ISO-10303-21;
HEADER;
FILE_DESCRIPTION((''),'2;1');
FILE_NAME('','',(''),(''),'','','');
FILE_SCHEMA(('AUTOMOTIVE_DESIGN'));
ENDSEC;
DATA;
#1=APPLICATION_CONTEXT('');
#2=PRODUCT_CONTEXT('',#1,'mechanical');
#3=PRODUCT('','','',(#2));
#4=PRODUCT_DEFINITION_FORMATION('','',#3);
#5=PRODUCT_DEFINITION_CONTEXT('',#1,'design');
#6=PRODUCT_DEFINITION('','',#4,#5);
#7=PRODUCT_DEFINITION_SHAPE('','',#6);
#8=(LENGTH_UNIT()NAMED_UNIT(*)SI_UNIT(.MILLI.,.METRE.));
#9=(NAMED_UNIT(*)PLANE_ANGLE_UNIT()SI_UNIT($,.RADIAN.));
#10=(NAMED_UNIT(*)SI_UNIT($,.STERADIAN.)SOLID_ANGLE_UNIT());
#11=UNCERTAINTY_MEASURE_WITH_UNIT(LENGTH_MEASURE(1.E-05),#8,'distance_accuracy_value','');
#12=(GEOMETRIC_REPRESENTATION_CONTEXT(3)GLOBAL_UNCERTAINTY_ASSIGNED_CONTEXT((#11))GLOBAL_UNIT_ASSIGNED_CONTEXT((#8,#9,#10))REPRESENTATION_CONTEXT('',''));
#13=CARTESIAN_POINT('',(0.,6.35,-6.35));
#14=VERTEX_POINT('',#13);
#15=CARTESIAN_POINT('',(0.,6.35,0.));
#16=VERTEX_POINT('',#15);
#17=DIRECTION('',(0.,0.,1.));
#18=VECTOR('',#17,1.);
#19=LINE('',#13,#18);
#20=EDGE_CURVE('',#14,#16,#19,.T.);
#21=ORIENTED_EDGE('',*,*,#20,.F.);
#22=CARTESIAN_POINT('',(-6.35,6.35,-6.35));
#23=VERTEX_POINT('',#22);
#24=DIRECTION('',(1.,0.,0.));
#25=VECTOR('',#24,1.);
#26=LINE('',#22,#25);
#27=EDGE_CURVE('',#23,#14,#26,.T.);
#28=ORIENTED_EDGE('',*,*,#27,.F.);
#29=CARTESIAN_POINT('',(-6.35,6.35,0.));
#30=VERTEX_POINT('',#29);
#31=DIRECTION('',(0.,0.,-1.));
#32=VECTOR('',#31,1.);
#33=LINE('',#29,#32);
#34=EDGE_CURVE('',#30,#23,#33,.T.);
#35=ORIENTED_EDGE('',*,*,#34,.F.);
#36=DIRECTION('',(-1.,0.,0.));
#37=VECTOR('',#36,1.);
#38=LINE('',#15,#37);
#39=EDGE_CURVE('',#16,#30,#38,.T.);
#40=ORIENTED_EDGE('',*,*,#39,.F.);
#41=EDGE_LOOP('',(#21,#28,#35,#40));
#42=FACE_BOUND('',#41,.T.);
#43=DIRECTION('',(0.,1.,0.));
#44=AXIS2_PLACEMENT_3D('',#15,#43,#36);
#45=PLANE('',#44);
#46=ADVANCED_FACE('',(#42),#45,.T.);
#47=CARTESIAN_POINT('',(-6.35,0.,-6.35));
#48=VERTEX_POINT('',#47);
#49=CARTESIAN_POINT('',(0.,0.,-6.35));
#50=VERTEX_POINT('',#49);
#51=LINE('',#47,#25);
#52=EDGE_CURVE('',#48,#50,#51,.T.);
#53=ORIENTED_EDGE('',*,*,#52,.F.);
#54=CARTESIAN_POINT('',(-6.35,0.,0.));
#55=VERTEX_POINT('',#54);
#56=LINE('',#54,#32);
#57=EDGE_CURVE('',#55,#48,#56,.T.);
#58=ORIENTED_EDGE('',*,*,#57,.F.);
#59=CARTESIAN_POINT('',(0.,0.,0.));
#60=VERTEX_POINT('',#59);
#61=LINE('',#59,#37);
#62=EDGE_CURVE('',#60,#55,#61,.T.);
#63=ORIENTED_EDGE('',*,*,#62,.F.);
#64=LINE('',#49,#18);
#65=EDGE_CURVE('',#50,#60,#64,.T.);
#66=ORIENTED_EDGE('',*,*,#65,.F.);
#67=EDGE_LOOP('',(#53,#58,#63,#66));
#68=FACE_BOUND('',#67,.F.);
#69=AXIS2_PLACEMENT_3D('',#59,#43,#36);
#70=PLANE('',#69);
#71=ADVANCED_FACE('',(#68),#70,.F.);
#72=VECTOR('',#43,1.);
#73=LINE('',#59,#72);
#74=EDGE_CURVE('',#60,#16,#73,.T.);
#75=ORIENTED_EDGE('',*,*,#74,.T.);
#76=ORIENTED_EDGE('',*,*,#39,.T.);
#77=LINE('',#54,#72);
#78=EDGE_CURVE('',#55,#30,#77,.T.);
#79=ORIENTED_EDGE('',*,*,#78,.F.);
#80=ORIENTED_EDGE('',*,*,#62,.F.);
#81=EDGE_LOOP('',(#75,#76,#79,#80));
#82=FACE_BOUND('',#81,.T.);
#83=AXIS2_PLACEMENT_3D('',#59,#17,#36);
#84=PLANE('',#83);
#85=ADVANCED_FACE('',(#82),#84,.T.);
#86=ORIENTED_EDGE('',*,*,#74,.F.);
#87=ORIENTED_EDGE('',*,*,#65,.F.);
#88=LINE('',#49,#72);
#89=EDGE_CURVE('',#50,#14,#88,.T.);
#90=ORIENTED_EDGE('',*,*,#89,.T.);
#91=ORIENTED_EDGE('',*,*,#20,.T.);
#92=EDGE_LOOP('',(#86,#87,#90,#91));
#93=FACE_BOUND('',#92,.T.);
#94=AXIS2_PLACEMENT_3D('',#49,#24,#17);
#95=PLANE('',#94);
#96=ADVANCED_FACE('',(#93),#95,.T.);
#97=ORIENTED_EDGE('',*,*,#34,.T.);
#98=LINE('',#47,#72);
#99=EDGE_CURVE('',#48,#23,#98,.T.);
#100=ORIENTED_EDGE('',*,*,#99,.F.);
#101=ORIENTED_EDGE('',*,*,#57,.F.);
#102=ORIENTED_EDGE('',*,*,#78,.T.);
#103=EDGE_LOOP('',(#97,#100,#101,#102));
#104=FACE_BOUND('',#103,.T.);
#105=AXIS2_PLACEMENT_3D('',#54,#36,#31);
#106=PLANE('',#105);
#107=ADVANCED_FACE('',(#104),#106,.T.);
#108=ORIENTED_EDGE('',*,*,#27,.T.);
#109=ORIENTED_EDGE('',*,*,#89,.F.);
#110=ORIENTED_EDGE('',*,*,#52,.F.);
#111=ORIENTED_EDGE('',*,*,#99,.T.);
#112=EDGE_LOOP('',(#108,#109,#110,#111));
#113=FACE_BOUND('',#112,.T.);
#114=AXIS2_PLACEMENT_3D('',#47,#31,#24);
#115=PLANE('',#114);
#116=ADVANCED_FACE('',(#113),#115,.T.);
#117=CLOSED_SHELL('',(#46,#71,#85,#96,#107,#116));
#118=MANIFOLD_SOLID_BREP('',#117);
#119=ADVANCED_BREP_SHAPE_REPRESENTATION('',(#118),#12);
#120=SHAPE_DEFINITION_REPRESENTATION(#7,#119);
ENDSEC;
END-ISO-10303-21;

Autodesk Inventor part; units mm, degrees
ref_plane "YZ Plane" through (0, 0, 0) normal (1, 0, 0) x (0, 1, 0)
ref_plane "XZ Plane" through (0, 0, 0) normal (0, 1, 0) x (-1, 0, 0)
ref_plane "XY Plane" through (0, 0, 0) normal (0, 0, 1) x (1, 0, 0)
sketch "Sketch11" plane through (0, 0, 0) normal (0, 1, 0) x (-1, 0, 0)
  line L0 (0, 0) -> (6.35, 0)
  line L1 (6.35, 0) -> (6.35, -6.35)
  line L2 (6.35, -6.35) -> (0, -6.35)
  line L3 (0, -6.35) -> (0, 0)
  dimension "d21" = 6.35
  dimension "d22" = 6.35
extrude "Extrusion8" add sketch "Sketch11" along normal blind 6.35
properties part number "PyramidCube-ver1-1111-2021"
